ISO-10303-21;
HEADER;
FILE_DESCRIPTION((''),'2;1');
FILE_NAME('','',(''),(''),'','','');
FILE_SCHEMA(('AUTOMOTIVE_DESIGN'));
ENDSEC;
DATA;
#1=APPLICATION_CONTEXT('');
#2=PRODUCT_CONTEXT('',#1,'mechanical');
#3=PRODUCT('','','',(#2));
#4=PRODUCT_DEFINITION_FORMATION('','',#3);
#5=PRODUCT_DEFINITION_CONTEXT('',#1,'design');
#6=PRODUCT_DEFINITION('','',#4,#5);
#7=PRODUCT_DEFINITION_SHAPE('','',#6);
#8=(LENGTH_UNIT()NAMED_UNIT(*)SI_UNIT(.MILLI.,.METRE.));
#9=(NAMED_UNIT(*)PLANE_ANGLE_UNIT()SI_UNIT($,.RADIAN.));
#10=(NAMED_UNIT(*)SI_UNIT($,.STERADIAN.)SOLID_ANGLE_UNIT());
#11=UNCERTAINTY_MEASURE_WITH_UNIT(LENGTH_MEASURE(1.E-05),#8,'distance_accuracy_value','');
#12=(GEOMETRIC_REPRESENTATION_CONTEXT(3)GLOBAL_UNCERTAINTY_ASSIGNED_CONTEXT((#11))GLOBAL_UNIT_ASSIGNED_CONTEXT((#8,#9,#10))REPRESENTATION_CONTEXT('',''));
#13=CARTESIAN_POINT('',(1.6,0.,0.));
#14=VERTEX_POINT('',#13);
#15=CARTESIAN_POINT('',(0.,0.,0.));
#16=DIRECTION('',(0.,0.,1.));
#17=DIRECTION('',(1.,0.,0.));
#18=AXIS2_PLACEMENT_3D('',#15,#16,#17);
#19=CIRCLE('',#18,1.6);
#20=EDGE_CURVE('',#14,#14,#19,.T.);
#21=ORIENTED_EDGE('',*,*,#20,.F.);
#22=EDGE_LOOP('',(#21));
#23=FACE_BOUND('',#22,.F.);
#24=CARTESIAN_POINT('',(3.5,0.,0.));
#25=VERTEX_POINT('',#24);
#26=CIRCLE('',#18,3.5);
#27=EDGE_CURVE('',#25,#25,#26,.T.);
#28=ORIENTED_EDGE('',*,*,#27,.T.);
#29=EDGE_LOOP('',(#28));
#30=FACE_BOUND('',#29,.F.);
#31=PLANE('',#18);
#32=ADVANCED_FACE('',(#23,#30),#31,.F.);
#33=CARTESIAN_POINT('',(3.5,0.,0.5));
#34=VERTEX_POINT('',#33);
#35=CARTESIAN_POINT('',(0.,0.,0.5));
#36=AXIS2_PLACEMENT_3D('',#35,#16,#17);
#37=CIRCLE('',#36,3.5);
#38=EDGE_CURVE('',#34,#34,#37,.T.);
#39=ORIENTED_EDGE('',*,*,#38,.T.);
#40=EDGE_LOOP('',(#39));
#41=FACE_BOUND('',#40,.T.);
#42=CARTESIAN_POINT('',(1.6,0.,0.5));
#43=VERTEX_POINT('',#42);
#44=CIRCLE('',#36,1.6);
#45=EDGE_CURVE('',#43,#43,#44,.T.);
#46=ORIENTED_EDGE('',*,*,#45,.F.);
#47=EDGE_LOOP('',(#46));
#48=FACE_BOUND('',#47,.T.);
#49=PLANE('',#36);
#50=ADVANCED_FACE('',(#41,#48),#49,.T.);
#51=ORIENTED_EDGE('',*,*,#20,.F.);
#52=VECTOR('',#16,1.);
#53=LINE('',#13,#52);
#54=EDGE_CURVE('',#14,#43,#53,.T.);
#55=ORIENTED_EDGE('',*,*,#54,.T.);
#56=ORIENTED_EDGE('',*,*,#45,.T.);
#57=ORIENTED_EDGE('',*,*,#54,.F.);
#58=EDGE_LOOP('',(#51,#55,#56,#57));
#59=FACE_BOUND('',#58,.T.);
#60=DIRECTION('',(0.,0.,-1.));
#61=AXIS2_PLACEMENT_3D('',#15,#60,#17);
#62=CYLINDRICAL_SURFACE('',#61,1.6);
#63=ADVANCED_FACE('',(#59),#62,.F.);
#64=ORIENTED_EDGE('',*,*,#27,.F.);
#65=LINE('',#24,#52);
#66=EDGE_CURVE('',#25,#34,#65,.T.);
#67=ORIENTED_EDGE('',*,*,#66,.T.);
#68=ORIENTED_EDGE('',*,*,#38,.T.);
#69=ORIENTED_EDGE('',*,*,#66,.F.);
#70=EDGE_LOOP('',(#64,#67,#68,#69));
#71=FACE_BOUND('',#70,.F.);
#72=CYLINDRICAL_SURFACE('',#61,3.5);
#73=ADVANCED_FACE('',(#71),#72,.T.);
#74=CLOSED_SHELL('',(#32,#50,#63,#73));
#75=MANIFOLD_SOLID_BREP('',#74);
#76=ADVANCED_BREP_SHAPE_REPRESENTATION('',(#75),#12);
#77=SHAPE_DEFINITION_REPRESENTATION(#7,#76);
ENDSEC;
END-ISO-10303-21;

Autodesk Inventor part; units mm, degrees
ref_plane "YZ Plane" through (0, 0, 0) normal (1, 0, 0) x (0, 1, 0)
ref_plane "XZ Plane" through (0, 0, 0) normal (0, 1, 0) x (-1, 0, 0)
ref_plane "XY Plane" through (0, 0, 0) normal (0, 0, 1) x (1, 0, 0)
sketch "Sketch1" plane through (0, 0, 0) normal (0, 0, 1) x (1, 0, 0)
  circle A0 centre (0, 0) radius 1.6
  circle A1 centre (0, 0) radius 3.5
  dimension "d0" = 3.2
  dimension "d1" = 7
extrude "Extrusion1" add sketch "Sketch1" along normal blind 0.5
properties part number "M3 Washer" material "Stainless Steel"
